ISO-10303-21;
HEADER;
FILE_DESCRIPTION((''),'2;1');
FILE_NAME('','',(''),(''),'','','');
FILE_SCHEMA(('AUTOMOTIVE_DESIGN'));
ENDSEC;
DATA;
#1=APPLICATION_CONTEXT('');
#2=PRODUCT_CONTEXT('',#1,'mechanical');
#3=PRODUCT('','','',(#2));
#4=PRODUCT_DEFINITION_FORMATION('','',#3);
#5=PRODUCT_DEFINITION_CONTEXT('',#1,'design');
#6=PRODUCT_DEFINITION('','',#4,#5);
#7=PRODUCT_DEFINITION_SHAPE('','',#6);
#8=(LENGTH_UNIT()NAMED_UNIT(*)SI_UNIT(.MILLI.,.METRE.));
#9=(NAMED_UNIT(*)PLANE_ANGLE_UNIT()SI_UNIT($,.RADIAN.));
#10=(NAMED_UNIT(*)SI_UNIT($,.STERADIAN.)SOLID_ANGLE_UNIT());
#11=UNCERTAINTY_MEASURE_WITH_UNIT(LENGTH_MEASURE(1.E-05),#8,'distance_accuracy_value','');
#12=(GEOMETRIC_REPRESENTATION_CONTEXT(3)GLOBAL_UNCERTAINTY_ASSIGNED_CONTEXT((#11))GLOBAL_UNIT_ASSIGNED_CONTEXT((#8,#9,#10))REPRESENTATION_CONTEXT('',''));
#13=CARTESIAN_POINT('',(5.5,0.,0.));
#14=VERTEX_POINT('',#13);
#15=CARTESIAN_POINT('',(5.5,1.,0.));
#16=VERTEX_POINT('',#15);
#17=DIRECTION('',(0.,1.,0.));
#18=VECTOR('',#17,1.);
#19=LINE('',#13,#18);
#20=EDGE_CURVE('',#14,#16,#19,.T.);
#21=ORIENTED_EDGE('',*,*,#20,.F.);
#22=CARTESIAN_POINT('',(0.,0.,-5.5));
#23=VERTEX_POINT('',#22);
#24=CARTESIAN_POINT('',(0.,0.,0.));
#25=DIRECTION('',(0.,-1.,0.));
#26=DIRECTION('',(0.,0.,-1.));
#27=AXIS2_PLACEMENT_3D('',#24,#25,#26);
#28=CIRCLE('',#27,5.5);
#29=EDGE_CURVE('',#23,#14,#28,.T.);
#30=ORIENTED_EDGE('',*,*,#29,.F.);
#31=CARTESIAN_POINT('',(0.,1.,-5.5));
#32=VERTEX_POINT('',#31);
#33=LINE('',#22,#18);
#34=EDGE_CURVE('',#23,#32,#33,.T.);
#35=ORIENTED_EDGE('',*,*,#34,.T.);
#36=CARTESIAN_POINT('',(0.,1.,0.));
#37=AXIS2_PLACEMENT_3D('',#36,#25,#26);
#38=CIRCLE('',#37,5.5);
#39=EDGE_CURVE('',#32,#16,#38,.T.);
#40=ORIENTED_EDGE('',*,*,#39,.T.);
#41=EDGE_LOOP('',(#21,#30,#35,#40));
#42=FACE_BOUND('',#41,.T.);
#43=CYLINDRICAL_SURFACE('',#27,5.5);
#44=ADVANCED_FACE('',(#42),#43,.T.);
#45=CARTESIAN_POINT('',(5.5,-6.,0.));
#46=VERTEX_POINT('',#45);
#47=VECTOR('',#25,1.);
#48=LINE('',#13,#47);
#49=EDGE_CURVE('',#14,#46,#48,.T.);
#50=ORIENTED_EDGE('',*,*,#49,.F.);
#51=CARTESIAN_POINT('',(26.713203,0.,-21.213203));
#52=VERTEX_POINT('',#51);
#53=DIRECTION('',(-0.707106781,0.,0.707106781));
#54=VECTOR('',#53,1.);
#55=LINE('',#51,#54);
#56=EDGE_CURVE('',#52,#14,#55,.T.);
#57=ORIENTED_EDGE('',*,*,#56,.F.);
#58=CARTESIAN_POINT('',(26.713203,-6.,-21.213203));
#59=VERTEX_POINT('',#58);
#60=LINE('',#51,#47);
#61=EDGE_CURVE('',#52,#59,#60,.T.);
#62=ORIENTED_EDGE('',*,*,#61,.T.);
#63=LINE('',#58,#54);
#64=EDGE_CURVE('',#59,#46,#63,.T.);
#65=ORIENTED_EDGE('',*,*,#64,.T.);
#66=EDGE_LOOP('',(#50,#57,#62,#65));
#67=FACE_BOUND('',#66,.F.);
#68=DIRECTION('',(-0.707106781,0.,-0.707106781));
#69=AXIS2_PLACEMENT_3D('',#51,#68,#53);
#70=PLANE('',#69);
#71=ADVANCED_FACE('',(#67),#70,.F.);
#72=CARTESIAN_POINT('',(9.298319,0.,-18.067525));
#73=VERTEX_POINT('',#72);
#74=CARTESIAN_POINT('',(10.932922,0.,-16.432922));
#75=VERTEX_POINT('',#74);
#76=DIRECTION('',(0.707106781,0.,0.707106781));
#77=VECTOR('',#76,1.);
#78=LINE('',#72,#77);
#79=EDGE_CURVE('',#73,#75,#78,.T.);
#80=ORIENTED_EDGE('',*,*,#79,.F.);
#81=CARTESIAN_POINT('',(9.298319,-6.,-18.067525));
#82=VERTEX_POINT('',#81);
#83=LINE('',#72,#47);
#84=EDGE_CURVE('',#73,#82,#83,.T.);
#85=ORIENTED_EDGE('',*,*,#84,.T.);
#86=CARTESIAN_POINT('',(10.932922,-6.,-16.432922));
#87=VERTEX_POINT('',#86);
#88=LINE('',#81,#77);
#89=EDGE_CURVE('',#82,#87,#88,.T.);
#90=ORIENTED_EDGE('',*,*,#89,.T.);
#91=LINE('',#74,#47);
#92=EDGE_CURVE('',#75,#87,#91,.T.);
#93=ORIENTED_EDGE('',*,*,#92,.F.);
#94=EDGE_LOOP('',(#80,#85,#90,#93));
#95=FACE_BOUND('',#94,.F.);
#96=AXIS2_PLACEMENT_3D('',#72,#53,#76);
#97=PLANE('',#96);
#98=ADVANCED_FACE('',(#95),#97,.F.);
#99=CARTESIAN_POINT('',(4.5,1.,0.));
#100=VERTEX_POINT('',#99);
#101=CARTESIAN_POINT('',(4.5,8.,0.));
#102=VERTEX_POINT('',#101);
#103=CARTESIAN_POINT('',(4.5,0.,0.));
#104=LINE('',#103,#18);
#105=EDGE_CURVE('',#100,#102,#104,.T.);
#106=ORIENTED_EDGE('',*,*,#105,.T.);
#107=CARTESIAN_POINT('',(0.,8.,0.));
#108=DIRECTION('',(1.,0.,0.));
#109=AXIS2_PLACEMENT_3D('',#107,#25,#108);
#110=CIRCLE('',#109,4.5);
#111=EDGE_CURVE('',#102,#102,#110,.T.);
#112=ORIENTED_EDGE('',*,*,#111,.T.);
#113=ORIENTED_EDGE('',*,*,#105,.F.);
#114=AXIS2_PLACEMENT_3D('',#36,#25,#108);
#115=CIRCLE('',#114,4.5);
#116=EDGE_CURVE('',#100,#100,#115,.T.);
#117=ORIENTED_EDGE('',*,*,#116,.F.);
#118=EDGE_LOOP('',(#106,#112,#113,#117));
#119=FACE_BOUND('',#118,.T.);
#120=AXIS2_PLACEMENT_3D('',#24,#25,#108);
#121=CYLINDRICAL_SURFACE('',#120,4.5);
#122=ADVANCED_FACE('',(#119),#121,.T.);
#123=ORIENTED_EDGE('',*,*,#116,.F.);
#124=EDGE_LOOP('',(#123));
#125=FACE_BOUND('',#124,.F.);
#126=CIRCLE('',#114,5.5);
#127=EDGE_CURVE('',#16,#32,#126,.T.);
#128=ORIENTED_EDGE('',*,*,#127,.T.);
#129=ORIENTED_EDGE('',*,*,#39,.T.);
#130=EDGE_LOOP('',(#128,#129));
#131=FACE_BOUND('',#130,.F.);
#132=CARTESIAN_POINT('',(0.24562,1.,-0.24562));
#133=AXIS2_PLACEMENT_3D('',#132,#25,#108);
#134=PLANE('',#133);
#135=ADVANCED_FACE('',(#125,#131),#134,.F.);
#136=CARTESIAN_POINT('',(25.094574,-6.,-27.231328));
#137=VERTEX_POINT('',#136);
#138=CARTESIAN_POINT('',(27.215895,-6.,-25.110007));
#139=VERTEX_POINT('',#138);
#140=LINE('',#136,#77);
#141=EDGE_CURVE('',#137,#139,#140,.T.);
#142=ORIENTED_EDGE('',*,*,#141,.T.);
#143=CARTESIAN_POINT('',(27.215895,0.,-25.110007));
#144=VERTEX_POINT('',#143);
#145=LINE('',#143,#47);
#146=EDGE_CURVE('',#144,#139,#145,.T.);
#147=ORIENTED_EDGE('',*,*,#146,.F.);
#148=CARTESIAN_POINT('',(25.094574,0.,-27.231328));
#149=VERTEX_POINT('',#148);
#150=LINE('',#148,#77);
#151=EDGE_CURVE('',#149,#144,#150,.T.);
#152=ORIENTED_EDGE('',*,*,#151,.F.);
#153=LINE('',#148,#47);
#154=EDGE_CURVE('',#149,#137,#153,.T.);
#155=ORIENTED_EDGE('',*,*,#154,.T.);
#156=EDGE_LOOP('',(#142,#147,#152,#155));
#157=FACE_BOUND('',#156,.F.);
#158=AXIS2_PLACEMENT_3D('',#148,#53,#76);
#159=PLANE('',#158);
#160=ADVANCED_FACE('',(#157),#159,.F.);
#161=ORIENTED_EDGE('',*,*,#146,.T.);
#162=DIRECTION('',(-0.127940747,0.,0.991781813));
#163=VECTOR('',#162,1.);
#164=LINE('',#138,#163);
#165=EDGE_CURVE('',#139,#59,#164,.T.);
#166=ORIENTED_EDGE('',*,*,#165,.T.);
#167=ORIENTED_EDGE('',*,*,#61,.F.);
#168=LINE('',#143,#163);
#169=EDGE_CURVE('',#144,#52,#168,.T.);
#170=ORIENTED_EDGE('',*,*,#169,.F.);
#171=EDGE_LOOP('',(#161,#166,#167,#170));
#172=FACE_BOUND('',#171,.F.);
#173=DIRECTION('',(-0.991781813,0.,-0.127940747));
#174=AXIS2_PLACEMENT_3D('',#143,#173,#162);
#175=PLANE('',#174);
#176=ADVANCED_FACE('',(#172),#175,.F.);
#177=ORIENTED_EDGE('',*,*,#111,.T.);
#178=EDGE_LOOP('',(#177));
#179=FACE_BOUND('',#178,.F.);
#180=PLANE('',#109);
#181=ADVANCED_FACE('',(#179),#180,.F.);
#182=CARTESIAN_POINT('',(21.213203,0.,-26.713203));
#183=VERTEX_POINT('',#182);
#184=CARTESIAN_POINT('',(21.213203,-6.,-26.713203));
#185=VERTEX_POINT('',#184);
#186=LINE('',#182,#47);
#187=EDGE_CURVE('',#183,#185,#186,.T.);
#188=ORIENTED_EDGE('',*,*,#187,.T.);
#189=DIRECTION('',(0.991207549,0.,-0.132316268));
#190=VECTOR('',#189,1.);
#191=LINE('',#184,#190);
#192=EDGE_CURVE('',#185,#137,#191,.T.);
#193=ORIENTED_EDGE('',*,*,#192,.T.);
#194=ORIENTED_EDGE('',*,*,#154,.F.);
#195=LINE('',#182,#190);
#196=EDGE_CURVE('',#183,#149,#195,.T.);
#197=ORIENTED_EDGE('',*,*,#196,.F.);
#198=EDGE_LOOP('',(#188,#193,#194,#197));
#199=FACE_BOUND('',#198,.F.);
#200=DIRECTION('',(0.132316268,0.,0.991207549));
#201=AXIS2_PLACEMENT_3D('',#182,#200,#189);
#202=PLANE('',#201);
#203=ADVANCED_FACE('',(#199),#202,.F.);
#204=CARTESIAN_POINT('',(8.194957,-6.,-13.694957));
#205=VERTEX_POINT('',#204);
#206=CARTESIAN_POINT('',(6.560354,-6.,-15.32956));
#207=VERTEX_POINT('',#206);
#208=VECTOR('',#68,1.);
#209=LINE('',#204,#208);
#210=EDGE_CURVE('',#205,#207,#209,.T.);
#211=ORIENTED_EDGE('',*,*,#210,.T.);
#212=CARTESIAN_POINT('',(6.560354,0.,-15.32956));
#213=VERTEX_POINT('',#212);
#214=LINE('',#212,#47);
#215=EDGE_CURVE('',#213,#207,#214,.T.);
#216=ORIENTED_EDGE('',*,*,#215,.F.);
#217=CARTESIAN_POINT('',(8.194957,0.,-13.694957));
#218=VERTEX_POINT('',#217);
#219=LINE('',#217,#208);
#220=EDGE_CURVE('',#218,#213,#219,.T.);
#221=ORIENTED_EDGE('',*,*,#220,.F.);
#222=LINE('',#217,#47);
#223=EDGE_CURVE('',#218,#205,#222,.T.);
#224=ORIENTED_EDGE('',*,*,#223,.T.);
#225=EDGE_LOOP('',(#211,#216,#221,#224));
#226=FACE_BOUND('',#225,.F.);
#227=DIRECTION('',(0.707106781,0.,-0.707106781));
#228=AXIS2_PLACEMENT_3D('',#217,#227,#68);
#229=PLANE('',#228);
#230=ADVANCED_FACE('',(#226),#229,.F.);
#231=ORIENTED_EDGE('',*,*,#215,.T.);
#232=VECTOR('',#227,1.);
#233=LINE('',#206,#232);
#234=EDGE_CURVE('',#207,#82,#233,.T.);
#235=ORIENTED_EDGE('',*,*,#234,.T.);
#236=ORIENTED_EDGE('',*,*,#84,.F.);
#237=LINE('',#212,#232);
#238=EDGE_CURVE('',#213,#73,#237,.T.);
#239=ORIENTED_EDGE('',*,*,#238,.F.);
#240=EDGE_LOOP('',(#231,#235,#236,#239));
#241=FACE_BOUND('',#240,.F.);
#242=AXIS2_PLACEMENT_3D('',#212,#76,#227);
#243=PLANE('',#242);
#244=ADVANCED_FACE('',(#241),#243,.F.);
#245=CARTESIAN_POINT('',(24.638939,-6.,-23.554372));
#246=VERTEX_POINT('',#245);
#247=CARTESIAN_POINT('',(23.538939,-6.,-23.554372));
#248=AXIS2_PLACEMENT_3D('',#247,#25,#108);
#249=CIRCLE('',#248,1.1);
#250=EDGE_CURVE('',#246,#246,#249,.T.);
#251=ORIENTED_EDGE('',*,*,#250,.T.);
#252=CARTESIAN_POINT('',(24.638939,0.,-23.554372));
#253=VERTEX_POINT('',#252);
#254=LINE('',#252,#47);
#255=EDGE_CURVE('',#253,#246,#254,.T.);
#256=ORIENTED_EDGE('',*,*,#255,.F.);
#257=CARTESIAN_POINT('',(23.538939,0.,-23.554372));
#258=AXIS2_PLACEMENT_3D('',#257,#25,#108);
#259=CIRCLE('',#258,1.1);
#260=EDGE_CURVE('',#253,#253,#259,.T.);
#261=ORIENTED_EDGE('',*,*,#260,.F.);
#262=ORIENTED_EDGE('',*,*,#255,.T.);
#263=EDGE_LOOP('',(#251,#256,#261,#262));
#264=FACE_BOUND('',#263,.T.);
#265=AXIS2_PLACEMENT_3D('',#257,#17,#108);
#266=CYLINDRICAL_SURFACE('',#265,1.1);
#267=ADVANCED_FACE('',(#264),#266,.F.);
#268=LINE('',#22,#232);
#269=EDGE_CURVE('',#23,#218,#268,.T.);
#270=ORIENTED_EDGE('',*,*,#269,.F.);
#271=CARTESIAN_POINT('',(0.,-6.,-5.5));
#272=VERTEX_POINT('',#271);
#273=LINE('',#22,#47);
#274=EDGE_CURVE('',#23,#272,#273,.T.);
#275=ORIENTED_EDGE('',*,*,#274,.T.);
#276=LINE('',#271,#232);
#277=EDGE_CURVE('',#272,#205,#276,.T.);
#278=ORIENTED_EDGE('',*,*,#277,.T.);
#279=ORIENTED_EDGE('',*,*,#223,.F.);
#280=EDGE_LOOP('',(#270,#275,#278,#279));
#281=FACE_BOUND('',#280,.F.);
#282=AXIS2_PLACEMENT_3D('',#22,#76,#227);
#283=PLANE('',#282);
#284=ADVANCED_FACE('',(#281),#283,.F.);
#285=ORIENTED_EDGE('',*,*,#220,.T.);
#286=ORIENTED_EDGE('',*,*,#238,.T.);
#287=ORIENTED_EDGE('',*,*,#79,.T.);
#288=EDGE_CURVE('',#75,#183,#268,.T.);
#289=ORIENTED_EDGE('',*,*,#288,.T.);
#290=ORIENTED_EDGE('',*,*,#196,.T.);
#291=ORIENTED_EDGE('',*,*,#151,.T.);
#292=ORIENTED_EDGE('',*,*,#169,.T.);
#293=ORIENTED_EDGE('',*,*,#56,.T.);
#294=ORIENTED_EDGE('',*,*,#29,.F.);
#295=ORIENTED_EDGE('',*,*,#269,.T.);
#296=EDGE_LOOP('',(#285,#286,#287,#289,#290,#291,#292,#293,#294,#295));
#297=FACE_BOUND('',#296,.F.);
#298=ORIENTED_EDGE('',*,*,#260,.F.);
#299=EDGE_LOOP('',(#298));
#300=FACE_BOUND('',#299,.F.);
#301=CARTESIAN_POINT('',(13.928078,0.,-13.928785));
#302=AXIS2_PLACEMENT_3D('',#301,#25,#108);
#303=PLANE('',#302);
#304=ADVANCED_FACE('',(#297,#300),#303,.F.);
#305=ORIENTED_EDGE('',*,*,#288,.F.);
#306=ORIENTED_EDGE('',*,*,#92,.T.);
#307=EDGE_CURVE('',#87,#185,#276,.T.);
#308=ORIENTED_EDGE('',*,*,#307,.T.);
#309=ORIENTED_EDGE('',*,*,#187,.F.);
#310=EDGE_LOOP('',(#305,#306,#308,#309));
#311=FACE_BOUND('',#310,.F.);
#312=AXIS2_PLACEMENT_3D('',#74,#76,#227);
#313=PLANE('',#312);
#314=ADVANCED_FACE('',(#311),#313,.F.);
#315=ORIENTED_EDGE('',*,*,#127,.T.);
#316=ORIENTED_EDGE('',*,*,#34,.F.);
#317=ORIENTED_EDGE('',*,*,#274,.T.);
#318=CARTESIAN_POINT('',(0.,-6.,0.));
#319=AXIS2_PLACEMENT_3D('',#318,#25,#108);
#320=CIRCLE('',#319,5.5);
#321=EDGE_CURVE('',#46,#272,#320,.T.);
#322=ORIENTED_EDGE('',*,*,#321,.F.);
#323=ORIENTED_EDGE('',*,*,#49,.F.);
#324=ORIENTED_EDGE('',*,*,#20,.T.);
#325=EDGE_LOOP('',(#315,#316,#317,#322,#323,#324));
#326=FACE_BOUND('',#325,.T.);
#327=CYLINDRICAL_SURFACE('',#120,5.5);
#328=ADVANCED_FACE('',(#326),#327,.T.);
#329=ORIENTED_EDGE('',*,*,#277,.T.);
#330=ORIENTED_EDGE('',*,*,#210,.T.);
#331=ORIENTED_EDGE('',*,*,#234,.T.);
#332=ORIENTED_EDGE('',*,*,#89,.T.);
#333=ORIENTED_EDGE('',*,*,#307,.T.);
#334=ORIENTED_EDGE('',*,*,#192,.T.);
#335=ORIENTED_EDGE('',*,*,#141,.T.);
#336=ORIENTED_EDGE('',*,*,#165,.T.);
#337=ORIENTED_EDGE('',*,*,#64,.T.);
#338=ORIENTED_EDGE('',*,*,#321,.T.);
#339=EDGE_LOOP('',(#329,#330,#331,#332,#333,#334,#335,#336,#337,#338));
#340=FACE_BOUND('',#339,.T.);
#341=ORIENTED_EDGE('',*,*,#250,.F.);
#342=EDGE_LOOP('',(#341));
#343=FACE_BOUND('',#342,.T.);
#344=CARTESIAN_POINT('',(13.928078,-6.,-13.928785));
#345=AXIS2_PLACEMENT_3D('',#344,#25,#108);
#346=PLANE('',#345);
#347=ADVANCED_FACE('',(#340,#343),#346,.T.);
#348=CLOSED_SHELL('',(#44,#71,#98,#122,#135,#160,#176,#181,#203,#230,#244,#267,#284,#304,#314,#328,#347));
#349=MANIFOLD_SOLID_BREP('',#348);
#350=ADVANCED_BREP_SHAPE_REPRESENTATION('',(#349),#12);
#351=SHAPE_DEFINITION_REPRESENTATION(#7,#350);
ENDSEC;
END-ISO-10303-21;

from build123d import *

# Parameters (mm, degrees)
F0_R     = 1.1
F0_R_2   = 4.5
F1_DEPTH = 6
F2_DEPTH = 1
F3_DEPTH = 8


with BuildPart() as f1:
    # F0 (on Front) → F1 (new body)
    with BuildSketch(Plane.XZ):
        with BuildLine():
            Line((26.7132034356, -21.2132034356), (5.5, 0))
            ThreePointArc((5.5, 0), (3.8890872965, -3.8890872965), (0, -5.5))
            Line((0, -5.5), (8.1949569136, -13.6949569136))
            Line((8.1949569136, -13.6949569136), (10.9329223484, -16.4329223484))
            Line((10.9329223484, -16.4329223484), (21.2132034356, -26.7132034356))
            Line((21.2132034356, -26.7132034356), (25.0945742855, -27.2313275223))
            Line((25.0945742855, -27.2313275223), (27.2158946291, -25.1100071787))
            Line((27.2158946291, -25.1100071787), (26.7132034356, -21.2132034356))
        make_face()
        with Locations((23.5389393669, -23.5543722601)):
            Circle(F0_R, mode=Mode.SUBTRACT)
        with BuildLine():
            ThreePointArc((0, -5.5), (3.8890872965, -3.8890872965), (5.5, 0))
            ThreePointArc((5.5, 0), (-3.8890872965, 3.8890872965), (0, -5.5))
        make_face()
        Circle(F0_R_2, mode=Mode.SUBTRACT)
        Circle(F0_R_2)
        Polygon((10.9329223484, -16.4329223484), (8.1949569136, -13.6949569136), (6.5603537951, -15.3295600321), (9.2983192299, -18.0675254669), align=None)
    extrude(amount=F1_DEPTH)

    # F0 (on Front) → F2 (join)
    with BuildSketch(Plane.XZ):
        with BuildLine():
            ThreePointArc((0, -5.5), (3.8890872965, -3.8890872965), (5.5, 0))
            ThreePointArc((5.5, 0), (-3.8890872965, 3.8890872965), (0, -5.5))
        make_face()
        Circle(F0_R_2, mode=Mode.SUBTRACT)
        Circle(F0_R_2)
    extrude(amount=-F2_DEPTH)

    # F0 (on Front) → F3 (join)
    with BuildSketch(Plane.XZ):
        Circle(F0_R_2)
    extrude(amount=-F3_DEPTH)


solid = f1.part
